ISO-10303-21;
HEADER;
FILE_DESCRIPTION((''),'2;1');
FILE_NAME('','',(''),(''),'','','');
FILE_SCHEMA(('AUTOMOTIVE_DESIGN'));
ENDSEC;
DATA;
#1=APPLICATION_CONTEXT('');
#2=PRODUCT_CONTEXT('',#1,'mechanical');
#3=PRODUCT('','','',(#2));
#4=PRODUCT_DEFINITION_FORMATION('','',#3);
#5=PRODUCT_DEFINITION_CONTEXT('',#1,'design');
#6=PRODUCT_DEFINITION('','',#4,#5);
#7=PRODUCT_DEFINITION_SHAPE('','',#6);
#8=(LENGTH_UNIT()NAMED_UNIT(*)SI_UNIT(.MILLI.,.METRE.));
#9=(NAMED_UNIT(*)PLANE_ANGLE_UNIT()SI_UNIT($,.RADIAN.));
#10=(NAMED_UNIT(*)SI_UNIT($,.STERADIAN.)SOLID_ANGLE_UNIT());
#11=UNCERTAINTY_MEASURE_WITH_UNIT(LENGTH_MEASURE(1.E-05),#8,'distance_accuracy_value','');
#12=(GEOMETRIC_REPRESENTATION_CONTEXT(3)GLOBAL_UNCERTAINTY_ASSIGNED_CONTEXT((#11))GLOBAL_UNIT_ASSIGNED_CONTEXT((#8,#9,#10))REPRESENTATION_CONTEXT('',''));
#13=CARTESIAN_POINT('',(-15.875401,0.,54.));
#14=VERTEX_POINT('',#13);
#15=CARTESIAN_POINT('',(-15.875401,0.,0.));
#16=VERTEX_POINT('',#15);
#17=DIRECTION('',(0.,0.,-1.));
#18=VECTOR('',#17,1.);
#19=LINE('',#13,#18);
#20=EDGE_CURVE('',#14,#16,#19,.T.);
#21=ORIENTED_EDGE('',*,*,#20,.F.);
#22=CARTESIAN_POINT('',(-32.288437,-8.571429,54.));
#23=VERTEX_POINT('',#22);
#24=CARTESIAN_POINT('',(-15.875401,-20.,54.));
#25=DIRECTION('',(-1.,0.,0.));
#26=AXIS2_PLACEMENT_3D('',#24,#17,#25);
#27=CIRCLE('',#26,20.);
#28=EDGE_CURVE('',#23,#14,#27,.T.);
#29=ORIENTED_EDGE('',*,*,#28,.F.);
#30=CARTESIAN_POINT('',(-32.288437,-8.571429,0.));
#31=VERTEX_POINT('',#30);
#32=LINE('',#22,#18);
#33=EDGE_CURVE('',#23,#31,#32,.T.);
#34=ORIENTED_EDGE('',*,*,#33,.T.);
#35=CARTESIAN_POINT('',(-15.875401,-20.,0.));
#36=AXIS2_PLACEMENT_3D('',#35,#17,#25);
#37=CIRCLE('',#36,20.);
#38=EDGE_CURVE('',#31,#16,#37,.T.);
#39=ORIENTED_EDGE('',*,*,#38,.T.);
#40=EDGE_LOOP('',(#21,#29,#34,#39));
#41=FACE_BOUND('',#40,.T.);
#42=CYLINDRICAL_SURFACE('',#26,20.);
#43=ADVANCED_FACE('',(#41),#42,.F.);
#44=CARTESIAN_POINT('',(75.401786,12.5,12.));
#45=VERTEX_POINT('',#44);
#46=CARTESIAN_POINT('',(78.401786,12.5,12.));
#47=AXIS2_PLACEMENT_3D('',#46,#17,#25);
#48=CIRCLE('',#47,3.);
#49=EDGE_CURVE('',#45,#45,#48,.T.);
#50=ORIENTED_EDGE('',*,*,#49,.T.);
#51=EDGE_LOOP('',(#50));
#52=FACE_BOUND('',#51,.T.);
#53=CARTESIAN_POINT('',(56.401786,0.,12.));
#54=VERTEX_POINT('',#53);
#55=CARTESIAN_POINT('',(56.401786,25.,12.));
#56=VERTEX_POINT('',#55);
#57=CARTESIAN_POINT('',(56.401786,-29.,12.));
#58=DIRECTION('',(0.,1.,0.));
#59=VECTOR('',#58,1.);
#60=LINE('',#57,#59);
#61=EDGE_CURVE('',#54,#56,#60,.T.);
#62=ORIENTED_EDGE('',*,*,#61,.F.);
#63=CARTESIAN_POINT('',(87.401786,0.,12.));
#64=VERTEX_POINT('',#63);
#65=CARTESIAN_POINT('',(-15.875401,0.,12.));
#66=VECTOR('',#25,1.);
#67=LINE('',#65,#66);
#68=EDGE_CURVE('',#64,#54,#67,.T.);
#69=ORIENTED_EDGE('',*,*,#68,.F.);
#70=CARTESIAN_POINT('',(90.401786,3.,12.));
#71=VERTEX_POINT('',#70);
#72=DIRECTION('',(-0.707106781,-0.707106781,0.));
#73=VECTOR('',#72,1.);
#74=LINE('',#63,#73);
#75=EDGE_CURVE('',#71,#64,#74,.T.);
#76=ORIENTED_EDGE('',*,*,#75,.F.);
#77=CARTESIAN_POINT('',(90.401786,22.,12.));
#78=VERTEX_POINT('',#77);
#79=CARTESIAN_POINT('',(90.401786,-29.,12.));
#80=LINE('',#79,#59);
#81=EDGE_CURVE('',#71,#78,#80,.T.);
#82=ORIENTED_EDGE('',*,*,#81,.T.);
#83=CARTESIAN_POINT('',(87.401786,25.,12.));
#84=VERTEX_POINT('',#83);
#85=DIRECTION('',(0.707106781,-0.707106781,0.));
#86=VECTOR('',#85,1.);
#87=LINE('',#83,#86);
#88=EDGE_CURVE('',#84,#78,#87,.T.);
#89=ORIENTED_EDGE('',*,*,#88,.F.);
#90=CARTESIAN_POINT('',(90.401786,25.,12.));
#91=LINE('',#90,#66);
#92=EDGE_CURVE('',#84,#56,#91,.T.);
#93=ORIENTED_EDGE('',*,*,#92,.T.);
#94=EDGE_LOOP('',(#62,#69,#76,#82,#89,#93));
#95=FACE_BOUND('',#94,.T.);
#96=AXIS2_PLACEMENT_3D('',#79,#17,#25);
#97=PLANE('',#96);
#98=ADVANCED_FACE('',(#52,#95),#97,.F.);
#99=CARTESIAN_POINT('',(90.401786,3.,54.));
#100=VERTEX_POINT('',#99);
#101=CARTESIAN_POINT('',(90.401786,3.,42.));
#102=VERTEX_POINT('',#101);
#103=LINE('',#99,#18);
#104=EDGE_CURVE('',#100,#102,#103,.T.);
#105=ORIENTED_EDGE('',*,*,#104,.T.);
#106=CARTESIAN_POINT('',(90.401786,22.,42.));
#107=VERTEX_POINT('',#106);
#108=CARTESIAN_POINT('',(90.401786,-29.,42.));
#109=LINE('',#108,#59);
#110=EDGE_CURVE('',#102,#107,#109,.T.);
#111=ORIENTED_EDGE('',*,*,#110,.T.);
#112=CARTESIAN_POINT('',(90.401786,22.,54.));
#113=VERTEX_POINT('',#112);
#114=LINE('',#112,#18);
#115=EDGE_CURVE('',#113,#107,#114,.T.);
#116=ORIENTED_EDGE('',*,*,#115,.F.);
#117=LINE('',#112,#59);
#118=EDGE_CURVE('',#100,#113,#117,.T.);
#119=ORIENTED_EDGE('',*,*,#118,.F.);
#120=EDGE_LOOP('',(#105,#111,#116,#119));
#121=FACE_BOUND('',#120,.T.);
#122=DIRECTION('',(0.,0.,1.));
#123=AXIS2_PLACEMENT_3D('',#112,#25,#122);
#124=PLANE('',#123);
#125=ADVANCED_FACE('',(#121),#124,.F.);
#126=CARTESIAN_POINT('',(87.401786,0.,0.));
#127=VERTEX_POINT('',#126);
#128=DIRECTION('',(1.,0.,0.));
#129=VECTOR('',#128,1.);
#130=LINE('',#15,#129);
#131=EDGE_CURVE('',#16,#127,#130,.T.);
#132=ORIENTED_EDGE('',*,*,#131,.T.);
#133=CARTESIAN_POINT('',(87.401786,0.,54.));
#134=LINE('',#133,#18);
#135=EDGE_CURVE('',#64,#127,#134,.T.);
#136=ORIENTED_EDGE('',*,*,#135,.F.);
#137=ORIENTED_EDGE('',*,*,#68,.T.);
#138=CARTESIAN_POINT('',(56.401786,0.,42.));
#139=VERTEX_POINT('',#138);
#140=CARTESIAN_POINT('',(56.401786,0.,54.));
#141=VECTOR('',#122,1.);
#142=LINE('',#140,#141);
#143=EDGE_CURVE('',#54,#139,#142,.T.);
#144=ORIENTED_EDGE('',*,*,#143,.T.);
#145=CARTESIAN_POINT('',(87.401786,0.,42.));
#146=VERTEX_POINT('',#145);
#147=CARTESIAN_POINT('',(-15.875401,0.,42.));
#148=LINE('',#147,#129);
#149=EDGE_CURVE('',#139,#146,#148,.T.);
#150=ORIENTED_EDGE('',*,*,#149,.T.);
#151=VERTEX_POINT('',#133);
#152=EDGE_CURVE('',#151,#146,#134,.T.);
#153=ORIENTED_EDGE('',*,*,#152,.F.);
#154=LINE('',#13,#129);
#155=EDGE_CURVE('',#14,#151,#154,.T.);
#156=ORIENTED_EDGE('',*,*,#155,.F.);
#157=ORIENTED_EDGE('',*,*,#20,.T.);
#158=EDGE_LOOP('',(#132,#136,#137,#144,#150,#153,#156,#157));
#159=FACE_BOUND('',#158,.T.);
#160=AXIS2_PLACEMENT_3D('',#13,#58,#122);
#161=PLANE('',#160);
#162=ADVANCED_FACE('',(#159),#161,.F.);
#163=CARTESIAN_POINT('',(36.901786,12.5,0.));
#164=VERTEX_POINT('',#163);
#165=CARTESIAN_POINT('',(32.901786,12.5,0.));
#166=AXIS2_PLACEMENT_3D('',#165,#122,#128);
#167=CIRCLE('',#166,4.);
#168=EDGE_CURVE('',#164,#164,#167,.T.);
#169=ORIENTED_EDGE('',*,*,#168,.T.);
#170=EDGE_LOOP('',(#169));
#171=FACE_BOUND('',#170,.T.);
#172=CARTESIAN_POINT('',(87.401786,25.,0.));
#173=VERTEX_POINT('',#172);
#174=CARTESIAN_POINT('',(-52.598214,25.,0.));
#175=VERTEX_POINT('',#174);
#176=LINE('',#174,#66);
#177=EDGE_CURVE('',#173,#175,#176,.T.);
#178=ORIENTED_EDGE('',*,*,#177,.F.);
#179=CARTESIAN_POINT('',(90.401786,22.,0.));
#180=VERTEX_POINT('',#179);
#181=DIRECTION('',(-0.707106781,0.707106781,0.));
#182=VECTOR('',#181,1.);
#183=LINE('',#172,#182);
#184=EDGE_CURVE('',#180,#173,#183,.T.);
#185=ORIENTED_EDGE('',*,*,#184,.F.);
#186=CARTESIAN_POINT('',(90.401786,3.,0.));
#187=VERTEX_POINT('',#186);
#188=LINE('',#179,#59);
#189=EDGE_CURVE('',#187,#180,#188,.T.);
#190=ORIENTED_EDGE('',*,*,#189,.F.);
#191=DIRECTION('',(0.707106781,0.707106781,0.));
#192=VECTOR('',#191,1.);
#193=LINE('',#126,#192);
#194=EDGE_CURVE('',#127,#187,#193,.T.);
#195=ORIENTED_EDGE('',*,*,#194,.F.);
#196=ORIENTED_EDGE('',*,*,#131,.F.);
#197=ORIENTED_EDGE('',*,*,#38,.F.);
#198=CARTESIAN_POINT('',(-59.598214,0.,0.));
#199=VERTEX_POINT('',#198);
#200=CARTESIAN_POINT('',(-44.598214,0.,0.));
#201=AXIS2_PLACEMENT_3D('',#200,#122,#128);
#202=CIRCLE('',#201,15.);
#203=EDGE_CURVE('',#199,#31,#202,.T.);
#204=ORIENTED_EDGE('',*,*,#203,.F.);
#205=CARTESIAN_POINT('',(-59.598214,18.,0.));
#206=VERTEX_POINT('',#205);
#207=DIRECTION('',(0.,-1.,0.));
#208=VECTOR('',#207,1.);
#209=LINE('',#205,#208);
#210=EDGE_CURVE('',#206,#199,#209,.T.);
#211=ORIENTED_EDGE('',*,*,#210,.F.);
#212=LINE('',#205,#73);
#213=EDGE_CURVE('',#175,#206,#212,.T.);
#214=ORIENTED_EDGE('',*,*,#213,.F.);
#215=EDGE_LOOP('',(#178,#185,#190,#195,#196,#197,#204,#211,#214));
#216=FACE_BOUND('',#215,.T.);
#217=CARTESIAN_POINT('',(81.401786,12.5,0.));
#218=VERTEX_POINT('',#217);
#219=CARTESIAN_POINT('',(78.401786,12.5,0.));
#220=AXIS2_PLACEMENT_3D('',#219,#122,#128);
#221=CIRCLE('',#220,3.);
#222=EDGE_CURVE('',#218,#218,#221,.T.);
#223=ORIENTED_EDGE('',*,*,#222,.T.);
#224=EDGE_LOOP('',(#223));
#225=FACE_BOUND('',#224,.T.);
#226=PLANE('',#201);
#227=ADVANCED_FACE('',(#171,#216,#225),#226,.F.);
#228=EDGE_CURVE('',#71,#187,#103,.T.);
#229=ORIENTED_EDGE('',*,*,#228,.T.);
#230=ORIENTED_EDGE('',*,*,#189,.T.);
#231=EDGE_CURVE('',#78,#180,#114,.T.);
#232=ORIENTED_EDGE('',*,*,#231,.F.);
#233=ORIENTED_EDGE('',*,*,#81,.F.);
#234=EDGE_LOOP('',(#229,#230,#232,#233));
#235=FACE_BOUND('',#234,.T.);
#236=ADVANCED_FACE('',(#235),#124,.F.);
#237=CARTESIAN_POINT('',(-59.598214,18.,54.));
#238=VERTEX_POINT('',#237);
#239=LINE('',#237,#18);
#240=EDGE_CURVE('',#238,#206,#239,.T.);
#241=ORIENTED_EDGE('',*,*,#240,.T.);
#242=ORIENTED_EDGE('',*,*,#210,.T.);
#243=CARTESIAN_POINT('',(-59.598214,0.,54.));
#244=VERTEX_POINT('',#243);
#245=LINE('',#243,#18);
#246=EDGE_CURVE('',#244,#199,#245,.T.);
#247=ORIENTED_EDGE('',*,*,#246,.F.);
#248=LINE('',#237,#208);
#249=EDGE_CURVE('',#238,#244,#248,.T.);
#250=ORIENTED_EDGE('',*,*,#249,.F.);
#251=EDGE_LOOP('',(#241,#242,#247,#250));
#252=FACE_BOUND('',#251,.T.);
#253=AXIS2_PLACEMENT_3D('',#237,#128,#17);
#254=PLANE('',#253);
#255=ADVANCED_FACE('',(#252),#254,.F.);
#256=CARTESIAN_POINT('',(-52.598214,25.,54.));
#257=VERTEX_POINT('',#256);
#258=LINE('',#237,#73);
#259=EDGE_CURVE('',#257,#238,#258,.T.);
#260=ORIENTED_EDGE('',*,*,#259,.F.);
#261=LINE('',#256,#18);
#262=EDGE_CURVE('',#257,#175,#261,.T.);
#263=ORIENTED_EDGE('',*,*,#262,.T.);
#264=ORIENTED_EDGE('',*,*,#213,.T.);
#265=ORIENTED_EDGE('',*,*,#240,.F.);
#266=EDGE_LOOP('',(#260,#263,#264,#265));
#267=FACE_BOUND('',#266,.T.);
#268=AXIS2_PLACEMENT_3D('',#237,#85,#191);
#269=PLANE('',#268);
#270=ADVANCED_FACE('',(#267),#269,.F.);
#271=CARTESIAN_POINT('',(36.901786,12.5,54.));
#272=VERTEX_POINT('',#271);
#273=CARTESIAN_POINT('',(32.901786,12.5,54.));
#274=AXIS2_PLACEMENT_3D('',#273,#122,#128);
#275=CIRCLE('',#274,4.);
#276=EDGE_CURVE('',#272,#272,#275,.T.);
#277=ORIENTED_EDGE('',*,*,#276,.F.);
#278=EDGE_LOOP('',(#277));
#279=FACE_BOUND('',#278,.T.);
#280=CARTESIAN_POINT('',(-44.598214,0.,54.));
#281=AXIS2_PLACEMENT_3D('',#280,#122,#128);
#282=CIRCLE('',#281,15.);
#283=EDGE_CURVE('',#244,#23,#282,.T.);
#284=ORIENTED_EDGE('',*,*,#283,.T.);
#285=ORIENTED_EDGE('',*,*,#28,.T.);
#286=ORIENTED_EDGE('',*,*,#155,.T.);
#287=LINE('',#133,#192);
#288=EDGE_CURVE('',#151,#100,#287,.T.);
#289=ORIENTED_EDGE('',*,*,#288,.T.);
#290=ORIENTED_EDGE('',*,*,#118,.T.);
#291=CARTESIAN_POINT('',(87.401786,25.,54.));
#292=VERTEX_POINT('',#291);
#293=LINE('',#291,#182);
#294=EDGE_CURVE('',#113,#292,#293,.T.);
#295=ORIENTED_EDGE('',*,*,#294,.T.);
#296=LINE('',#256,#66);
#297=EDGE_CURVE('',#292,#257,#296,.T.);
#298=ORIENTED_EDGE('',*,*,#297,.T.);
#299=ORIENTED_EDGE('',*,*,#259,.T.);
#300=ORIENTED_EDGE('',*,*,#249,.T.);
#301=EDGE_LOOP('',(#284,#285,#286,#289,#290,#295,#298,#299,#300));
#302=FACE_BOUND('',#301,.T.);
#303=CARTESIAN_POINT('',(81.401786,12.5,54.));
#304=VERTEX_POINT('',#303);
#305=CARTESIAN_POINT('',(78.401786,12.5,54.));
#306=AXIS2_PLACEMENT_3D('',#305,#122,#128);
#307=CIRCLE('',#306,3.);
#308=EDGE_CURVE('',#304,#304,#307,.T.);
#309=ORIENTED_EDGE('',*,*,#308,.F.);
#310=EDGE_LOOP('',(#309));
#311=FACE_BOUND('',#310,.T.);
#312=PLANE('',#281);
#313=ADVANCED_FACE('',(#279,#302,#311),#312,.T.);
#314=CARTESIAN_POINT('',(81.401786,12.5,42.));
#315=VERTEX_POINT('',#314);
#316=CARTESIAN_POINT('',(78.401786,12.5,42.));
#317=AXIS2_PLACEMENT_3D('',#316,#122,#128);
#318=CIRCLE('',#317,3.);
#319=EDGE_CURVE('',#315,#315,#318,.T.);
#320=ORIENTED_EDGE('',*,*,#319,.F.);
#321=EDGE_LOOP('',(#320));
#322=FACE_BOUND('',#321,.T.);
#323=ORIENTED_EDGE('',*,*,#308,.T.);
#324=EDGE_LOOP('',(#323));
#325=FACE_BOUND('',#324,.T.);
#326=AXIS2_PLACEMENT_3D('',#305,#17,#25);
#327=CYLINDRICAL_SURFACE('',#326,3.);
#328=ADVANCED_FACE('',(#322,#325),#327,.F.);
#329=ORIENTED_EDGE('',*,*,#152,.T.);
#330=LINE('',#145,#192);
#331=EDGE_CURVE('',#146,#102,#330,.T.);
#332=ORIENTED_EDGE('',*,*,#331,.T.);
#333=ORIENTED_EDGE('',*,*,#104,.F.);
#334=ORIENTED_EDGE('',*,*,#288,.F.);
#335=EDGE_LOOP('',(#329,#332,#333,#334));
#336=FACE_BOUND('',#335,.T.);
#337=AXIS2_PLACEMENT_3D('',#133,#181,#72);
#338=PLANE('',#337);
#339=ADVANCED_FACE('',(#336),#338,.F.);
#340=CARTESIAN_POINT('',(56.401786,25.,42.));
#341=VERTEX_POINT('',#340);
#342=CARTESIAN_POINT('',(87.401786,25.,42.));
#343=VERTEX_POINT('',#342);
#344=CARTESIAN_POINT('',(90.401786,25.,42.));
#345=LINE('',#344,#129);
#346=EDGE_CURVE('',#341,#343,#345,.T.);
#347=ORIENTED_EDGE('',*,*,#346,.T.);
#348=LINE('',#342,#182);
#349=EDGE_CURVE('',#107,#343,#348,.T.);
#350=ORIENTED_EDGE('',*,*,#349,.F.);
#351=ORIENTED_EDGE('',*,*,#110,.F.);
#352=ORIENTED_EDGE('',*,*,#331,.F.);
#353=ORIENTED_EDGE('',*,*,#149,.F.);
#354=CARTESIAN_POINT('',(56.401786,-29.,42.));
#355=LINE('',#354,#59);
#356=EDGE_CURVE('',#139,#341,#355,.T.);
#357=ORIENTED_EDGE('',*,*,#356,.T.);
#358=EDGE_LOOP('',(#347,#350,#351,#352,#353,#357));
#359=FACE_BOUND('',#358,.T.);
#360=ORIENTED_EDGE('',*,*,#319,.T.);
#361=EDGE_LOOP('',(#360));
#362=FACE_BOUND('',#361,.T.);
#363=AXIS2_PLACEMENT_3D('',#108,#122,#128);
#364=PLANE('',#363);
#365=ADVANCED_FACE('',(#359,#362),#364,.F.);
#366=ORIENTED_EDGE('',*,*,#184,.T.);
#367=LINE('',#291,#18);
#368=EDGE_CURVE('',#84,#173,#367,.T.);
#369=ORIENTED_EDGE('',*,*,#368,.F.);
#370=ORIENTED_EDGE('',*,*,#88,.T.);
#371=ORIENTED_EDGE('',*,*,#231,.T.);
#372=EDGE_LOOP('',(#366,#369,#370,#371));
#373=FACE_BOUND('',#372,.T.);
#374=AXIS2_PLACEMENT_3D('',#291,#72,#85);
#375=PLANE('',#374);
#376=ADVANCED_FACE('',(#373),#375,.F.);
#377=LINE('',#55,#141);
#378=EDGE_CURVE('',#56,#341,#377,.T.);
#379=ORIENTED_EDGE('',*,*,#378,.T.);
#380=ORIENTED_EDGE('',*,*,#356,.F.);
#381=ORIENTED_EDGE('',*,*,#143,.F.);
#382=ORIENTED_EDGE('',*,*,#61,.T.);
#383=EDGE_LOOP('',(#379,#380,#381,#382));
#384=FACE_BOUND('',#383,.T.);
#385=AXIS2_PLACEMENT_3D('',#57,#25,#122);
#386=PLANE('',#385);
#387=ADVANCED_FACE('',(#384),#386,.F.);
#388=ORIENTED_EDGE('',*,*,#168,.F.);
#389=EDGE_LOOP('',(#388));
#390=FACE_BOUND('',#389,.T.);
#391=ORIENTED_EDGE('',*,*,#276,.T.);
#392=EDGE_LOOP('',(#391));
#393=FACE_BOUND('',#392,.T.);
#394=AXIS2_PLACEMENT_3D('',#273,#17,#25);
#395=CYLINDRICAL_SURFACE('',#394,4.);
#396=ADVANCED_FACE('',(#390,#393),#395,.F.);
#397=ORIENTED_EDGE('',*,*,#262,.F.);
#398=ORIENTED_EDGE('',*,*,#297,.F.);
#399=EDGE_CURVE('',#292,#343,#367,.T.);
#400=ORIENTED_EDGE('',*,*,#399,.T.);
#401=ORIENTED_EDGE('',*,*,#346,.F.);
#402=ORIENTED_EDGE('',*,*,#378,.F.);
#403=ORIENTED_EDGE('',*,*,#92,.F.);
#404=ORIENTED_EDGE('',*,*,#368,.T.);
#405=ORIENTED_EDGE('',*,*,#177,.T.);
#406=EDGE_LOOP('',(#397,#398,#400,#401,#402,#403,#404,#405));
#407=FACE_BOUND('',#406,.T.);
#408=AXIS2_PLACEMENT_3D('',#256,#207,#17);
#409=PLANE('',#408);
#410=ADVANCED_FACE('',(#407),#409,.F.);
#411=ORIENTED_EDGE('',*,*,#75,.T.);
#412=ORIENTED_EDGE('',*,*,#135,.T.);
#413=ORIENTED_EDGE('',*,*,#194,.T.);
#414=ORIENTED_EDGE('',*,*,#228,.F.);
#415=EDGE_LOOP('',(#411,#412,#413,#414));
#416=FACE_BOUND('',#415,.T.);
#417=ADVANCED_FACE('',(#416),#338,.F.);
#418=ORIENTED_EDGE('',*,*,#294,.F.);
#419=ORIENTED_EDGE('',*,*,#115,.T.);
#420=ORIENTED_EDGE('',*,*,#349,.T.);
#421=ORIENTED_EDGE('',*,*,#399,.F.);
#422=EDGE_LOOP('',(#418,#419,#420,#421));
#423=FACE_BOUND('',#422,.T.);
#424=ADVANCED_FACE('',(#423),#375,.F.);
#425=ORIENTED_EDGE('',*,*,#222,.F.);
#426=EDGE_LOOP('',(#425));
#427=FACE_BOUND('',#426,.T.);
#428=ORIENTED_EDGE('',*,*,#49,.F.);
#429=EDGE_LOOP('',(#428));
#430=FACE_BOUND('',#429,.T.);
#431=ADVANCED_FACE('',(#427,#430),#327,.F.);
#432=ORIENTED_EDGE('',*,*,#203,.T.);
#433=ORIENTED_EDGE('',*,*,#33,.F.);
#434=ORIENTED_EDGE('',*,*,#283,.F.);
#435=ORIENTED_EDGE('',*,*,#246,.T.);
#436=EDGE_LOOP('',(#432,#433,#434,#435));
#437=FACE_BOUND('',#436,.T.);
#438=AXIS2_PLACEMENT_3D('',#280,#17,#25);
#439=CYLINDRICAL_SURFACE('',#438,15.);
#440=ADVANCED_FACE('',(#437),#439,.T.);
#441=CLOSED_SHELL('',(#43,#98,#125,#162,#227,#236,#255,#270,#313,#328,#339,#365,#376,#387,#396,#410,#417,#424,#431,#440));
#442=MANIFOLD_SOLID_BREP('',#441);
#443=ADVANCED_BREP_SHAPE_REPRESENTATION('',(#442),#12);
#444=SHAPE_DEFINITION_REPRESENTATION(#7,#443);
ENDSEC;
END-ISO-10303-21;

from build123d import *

# Parameters (mm, degrees)
SKETCH1_R           = 3
SKETCH1_R_2         = 4
BOSS_EXTRUDE1_DEPTH = 54
SKETCH2_W           = 34
SKETCH2_H           = 30
CUT_EXTRUDE1_DEPTH  = 54


with BuildPart() as part:
    # Sketch1 → Boss-Extrude1 (new body)
    with BuildSketch(Plane.XY):
        with BuildLine():
            Line((-59.598214286, 18), (-52.598214286, 25))
            Line((-52.598214286, 25), (87.401785714, 25))
            Line((87.401785714, 25), (90.401785714, 22))
            Line((90.401785714, 22), (90.401785714, 3))
            Line((90.401785714, 3), (87.401785714, 0))
            Line((87.401785714, 0), (-15.875401053, 0))
            ThreePointArc((-15.875401053, 0), (-25.133602051, -2.271894791), (-32.288437186, -8.571428571))
            ThreePointArc((-32.288437186, -8.571428571), (-49.090059313, -14.311650088), (-59.598214286, 0))
            Line((-59.598214286, 0), (-59.598214286, 18))
        make_face()
        with Locations((78.401785714, 12.5)):
            Circle(SKETCH1_R, mode=Mode.SUBTRACT)
        with Locations((32.901785714, 12.5)):
            Circle(SKETCH1_R_2, mode=Mode.SUBTRACT)
    extrude(amount=BOSS_EXTRUDE1_DEPTH)

    # Sketch2 → Cut-Extrude1 (cut)
    with BuildSketch(Plane(origin=(0, 25, 0), x_dir=(1, 0, 0), z_dir=(0, 1, 0))):
        with Locations((73.401785714, -27)):
            Rectangle(SKETCH2_W, SKETCH2_H)
    extrude(amount=-CUT_EXTRUDE1_DEPTH, mode=Mode.SUBTRACT)


solid = part.part
